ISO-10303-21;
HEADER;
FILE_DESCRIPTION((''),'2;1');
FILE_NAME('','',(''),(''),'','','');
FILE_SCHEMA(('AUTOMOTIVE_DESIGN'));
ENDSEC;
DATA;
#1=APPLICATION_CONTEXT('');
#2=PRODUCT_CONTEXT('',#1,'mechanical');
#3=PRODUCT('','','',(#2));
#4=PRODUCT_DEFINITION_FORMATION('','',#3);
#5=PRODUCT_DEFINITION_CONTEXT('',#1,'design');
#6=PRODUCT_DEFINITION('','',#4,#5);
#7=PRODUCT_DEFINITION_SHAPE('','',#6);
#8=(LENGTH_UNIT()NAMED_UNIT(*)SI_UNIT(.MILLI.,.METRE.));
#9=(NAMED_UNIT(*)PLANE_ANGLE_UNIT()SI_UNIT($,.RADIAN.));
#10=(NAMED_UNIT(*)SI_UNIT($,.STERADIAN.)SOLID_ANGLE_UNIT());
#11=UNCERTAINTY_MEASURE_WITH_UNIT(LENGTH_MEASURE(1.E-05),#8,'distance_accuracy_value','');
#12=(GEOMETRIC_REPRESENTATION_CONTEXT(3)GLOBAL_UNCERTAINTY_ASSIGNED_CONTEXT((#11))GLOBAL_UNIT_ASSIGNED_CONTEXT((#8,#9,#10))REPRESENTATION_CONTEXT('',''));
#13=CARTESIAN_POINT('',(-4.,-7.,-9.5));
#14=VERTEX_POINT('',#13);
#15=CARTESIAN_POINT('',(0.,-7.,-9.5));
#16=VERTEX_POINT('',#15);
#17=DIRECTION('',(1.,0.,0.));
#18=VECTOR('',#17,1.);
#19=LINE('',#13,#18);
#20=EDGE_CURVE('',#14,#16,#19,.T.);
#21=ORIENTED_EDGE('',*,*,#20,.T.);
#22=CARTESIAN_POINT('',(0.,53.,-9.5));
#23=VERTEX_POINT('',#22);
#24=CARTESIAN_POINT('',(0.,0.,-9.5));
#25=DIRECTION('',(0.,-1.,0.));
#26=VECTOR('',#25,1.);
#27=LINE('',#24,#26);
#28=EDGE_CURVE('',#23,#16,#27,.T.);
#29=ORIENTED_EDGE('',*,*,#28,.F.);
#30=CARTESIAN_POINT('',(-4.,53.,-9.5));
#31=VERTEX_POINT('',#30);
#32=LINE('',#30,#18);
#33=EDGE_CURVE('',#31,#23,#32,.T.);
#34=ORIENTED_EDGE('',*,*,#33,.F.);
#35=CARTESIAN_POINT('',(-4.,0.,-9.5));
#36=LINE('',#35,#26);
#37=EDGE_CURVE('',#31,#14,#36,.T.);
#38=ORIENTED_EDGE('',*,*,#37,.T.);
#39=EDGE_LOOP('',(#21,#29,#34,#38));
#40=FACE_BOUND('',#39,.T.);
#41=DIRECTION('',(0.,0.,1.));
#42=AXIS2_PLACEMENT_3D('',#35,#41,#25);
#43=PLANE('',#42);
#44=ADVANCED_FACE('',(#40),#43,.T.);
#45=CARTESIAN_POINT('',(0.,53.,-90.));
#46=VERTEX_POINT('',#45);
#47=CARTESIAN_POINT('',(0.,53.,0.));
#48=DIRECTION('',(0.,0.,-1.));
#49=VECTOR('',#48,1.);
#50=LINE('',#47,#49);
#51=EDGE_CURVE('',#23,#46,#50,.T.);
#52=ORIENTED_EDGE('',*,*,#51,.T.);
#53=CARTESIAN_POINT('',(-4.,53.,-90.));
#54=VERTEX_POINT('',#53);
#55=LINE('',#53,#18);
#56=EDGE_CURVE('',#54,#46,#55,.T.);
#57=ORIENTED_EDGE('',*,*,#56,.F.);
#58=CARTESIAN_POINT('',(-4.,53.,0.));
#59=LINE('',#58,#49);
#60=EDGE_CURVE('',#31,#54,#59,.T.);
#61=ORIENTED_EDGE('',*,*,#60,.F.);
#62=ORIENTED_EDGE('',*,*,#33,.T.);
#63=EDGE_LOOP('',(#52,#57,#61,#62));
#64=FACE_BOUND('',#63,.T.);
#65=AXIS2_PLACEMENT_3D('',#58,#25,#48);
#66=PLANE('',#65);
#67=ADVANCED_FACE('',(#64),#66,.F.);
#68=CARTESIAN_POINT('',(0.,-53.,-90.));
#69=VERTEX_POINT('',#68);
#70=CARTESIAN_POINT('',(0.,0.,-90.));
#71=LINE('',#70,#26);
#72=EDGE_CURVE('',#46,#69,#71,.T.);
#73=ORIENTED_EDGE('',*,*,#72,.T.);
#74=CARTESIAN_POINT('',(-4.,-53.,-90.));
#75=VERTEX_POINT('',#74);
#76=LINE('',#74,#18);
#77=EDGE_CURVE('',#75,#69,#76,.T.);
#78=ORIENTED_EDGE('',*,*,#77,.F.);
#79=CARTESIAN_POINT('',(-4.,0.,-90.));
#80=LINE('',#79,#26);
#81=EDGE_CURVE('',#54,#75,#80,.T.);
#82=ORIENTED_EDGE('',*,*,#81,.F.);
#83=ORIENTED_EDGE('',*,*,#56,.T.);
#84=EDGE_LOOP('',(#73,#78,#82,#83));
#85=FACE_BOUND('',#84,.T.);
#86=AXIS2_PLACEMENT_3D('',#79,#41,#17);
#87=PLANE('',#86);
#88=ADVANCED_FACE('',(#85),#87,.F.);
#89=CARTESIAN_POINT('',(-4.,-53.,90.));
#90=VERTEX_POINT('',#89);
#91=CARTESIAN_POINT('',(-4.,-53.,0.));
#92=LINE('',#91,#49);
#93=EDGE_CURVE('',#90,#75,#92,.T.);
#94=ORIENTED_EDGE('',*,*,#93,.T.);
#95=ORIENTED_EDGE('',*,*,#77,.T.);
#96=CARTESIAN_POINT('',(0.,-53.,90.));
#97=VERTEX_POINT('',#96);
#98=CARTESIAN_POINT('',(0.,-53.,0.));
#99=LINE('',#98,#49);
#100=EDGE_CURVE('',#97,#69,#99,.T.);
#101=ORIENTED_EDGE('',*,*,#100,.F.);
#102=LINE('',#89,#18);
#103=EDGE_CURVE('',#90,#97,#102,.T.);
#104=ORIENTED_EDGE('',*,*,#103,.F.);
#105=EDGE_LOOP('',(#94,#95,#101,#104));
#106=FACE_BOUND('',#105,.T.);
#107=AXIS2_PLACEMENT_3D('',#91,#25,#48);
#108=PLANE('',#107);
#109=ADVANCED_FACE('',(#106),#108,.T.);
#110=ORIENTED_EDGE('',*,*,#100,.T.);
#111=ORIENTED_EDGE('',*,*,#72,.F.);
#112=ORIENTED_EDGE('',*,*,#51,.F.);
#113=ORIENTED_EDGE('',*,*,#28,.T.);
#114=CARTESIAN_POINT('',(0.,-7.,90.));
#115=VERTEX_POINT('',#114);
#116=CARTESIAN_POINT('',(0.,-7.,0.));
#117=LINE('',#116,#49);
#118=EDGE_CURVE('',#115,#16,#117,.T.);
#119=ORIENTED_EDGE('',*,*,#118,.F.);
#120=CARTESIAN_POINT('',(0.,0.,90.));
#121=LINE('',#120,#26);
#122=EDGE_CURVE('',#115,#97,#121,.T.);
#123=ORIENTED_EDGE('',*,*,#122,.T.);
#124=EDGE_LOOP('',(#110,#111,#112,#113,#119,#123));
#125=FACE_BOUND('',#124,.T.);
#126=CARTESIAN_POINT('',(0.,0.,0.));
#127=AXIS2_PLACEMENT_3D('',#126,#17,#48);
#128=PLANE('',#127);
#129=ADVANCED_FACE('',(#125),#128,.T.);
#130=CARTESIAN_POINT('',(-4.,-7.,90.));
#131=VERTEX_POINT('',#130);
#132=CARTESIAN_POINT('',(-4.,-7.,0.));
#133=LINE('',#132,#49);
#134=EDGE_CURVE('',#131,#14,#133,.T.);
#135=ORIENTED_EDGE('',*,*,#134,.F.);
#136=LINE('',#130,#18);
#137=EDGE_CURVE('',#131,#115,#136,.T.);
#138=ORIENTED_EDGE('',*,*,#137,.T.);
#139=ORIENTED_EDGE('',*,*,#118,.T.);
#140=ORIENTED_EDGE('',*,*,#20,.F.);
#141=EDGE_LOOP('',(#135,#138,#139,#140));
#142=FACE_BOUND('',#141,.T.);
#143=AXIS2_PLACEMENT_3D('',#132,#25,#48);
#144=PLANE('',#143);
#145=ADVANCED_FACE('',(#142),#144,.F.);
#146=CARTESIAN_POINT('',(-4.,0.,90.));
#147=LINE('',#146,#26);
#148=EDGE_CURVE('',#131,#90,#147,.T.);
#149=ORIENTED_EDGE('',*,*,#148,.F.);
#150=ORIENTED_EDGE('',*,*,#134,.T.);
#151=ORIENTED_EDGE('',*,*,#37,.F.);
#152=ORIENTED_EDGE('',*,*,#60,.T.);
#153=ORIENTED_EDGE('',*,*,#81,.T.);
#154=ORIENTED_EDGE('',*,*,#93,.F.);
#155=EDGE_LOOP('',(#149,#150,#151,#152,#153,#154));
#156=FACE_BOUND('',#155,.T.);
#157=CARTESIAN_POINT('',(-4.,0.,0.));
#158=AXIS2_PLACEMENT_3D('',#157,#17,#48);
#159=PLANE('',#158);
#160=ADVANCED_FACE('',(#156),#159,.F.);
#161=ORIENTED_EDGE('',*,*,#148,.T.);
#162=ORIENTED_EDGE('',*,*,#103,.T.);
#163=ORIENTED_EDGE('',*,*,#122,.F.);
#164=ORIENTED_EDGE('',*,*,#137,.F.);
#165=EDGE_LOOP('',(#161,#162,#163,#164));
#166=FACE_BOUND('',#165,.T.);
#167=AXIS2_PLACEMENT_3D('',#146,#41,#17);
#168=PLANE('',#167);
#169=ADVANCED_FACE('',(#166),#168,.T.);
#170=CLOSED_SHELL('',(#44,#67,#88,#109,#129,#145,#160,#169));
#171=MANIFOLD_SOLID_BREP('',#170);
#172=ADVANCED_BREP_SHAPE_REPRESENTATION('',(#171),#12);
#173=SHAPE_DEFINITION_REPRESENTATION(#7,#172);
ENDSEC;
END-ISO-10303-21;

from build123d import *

# Parameters (mm, degrees)
BOSS_EXTRUDE1_DEPTH = 4


with BuildPart() as part:
    # Sketch1 → Boss-Extrude1 (new body)
    with BuildSketch(Plane(origin=(0, 0, 0), x_dir=(0, 0, -1), z_dir=(1, 0, 0))):
        Polygon((9.5, 53), (9.5, -7), (-90, -7), (-90, -53), (90, -53), (90, 53), align=None)
    extrude(amount=-BOSS_EXTRUDE1_DEPTH)


solid = part.part
